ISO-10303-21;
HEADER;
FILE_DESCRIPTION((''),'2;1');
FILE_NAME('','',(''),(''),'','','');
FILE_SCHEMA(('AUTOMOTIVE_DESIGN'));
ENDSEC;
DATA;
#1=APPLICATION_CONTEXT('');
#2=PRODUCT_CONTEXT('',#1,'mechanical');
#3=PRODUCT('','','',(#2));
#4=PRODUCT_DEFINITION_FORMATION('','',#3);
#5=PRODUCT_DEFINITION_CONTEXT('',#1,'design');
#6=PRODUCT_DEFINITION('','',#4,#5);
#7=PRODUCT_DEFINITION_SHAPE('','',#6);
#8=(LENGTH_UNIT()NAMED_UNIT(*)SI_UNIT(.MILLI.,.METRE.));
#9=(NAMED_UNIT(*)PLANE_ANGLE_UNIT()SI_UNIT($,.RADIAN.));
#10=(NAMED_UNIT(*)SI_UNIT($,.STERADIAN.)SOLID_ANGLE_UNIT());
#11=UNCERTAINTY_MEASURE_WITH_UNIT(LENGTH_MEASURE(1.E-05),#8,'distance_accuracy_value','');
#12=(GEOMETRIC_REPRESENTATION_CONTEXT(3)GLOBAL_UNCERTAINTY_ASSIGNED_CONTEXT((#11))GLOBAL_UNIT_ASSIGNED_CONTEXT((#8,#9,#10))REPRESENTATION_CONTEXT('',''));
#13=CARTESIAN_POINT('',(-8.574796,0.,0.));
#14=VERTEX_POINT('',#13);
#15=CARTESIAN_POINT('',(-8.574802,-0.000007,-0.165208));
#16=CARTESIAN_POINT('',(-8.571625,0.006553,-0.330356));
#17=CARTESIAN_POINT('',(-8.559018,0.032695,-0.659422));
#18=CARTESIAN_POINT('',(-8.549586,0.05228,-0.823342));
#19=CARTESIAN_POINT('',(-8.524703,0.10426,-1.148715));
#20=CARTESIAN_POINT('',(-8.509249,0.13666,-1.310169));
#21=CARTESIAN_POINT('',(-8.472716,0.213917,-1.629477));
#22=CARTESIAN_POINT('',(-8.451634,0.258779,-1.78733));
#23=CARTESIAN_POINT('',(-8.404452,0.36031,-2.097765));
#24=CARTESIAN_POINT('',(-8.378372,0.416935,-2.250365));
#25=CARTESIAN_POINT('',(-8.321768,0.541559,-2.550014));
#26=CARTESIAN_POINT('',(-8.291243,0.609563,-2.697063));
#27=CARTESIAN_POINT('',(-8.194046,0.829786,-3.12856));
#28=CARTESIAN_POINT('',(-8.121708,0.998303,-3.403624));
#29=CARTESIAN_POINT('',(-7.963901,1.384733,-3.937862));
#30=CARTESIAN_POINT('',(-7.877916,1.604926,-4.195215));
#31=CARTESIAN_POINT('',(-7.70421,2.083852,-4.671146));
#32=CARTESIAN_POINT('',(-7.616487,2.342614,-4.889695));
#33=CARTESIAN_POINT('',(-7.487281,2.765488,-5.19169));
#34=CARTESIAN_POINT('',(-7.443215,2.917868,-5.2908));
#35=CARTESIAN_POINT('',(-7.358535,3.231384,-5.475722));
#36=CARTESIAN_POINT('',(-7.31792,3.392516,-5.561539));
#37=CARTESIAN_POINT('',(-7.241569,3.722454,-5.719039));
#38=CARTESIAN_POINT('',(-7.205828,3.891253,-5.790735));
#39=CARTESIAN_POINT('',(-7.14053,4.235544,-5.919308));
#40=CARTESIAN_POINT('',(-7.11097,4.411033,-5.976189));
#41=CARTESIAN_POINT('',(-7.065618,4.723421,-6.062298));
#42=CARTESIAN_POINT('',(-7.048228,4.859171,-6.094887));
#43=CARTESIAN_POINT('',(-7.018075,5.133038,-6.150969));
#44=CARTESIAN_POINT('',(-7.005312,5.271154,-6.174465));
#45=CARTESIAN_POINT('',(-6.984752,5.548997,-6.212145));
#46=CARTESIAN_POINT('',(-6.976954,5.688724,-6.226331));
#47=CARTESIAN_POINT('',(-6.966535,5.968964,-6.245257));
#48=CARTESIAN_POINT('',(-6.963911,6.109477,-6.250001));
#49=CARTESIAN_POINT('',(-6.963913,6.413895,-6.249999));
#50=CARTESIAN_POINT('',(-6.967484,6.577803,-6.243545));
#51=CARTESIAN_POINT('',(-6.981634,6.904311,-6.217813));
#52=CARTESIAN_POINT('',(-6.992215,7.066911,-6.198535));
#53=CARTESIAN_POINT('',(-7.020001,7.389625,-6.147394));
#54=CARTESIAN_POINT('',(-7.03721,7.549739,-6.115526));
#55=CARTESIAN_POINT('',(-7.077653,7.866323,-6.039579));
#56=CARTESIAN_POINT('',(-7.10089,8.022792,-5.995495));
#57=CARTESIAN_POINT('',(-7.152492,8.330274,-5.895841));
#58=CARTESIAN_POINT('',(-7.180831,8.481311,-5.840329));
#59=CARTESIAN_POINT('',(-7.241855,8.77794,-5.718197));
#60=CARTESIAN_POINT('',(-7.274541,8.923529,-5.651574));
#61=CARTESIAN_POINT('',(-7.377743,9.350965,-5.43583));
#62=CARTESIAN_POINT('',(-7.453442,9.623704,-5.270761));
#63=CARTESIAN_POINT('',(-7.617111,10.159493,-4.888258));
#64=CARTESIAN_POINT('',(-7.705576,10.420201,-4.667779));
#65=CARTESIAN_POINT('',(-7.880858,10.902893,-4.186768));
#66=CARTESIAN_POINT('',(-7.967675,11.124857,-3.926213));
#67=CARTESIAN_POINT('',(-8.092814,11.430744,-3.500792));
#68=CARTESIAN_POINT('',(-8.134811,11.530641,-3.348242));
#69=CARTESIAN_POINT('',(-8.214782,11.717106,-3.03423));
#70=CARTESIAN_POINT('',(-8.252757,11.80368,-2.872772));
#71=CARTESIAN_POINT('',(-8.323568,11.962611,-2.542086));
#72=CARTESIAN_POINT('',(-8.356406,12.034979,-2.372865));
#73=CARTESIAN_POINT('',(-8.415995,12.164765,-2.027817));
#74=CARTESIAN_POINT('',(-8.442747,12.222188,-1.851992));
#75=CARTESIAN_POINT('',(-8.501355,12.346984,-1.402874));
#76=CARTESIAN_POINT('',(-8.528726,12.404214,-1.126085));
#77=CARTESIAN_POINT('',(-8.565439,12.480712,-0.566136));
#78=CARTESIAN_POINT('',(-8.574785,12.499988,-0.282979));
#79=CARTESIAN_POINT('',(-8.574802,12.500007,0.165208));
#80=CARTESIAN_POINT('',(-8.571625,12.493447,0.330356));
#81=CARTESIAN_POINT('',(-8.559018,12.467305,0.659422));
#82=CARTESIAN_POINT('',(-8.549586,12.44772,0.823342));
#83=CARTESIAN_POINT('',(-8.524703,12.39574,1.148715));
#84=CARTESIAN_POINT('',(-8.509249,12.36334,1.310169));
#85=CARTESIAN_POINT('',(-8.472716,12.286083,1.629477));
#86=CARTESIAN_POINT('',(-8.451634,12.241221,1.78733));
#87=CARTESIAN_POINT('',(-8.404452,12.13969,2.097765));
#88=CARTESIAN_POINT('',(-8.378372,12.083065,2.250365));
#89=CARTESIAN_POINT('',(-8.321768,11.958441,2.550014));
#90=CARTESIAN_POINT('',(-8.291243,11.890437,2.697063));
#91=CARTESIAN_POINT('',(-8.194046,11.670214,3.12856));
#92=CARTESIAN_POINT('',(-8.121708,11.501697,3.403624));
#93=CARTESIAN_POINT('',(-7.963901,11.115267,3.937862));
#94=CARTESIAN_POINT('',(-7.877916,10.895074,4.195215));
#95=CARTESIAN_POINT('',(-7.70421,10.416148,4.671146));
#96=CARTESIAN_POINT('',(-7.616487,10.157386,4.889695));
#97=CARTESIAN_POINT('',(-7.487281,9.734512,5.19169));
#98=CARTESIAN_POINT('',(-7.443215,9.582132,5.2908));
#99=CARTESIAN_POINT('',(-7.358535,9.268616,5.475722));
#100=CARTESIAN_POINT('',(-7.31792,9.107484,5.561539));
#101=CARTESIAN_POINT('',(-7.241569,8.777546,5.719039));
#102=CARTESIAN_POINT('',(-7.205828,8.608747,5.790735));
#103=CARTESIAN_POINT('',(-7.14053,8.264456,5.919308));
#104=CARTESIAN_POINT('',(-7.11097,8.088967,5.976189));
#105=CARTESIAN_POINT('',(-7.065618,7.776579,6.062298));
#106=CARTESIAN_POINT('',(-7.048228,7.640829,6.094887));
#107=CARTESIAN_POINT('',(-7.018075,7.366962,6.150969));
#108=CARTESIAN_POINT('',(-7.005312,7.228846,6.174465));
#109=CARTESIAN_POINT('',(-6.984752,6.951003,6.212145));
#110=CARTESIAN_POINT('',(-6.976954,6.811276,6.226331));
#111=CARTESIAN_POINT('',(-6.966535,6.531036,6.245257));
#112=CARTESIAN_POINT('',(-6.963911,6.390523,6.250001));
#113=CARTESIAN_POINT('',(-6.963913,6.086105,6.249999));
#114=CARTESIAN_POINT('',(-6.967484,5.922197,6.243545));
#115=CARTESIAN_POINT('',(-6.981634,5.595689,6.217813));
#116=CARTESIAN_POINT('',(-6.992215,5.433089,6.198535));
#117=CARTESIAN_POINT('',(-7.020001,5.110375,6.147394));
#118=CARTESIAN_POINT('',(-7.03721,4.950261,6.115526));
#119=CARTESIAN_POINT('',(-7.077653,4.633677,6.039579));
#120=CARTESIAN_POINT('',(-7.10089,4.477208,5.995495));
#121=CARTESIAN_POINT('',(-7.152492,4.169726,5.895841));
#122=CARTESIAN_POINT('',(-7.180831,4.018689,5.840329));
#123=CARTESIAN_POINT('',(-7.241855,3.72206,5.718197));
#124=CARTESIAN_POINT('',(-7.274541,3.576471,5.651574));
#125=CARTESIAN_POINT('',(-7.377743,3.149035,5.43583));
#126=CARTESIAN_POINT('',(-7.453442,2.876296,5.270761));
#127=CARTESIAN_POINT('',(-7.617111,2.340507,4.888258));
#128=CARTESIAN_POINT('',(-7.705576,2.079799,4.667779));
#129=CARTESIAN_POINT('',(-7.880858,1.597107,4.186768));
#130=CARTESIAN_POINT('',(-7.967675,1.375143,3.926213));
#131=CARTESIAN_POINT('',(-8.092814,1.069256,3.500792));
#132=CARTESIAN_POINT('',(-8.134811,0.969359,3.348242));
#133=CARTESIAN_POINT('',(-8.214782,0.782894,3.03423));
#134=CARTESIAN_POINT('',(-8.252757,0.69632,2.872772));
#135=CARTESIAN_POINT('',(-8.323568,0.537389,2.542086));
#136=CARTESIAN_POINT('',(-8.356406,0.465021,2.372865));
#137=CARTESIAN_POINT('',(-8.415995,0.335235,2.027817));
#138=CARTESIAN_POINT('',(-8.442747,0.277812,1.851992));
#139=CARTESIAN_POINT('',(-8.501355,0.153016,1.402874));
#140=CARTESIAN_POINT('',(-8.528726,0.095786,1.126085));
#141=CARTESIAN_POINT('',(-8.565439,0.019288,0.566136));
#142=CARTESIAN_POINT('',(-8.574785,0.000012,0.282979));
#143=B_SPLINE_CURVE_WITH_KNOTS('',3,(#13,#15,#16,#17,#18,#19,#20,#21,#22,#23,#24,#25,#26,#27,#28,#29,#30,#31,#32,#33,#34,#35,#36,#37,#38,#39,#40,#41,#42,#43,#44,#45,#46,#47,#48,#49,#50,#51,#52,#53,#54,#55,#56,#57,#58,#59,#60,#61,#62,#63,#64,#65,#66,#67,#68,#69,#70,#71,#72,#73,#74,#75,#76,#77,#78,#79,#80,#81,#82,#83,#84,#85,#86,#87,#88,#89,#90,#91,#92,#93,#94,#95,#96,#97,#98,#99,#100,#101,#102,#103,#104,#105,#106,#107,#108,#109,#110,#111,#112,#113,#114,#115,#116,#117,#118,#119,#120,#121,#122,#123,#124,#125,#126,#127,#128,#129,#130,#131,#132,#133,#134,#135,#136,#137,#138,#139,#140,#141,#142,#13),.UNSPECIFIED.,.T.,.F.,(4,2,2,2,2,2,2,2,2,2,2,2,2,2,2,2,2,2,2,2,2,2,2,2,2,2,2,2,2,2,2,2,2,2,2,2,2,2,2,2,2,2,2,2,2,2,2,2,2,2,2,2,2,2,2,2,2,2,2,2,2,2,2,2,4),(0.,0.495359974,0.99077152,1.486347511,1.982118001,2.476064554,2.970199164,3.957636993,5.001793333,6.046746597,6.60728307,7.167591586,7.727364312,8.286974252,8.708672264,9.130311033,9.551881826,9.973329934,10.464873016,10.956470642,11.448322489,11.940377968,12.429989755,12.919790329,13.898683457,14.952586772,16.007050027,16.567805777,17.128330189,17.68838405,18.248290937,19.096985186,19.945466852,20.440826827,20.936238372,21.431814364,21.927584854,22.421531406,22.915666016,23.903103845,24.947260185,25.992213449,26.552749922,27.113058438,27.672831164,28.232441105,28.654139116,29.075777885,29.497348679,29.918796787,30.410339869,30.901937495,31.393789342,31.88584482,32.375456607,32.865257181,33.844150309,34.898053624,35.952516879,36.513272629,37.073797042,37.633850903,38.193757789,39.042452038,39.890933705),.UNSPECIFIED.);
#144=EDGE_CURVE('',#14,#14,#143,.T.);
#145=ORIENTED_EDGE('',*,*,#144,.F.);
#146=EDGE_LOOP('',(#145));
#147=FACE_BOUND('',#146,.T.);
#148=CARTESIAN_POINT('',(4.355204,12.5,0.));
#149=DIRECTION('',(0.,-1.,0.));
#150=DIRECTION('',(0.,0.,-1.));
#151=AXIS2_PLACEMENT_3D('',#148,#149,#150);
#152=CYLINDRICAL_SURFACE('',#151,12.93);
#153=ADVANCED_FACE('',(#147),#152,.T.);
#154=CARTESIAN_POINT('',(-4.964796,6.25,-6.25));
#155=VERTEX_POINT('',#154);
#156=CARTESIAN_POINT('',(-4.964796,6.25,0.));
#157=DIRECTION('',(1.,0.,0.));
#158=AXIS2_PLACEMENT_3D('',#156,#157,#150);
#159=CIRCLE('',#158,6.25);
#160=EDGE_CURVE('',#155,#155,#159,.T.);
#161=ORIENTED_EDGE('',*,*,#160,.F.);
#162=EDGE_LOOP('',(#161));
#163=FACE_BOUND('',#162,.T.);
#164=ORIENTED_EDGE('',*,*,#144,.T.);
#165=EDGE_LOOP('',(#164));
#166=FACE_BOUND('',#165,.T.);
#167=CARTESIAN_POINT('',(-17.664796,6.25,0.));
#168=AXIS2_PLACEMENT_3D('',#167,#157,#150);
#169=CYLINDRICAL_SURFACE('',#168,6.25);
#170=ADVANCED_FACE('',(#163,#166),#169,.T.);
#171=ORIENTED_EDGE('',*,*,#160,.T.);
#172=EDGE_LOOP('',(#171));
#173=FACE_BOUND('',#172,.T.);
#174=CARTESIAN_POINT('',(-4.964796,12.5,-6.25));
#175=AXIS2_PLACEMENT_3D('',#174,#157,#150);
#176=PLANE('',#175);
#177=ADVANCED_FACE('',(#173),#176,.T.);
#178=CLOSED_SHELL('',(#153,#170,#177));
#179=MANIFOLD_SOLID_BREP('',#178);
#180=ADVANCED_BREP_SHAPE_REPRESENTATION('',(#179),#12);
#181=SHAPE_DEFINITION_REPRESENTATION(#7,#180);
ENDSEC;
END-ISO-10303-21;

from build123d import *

# Parameters (mm, degrees)
EXTRUDE_1_DEPTH     = 12.5
CUT_EXTRUDE_8_DEPTH = 12.7


with BuildPart() as part:
    # 草图1 → 凸台-拉伸1 (new body)
    with BuildSketch(Plane(origin=(0, 0, 0), x_dir=(1, 0, 0), z_dir=(0, 1, 0))):
        with BuildLine():
            Line((-6.963912238, 6.25), (-4.964795665, 6.25))
            Line((-4.964795665, 6.25), (-4.964795665, -6.25))
            Line((-4.964795665, -6.25), (-6.963912238, -6.25))
            ThreePointArc((-6.963912238, -6.25), (-8.574795665, 0), (-6.963912238, 6.25))
        make_face()
    extrude(amount=EXTRUDE_1_DEPTH)

    # 草图2 → 切除-拉伸8 (cut)
    with BuildSketch(Plane(origin=(-4.964795665, 0, 0), x_dir=(0, 0, -1), z_dir=(1, 0, 0))):
        with BuildLine():
            Line((-6.25, 12.5), (-6.25, 6.25))
            ThreePointArc((-6.25, 6.25), (-4.419417382, 10.669417382), (0, 12.5))
            Line((0, 12.5), (-6.25, 12.5))
        make_face()
        with BuildLine():
            ThreePointArc((0, 12.5), (4.419417382, 10.669417382), (6.25, 6.25))
            Line((6.25, 6.25), (6.25, 12.5))
            Line((6.25, 12.5), (0, 12.5))
        make_face()
        with BuildLine():
            ThreePointArc((6.25, 6.25), (4.419417382, 1.830582618), (0, 0))
            Line((0, 0), (6.25, 0))
            Line((6.25, 0), (6.25, 6.25))
        make_face()
        with BuildLine():
            Line((-6.25, 6.25), (-6.25, 0))
            Line((-6.25, 0), (0, 0))
            ThreePointArc((0, 0), (-4.419417382, 1.830582618), (-6.25, 6.25))
        make_face()
    extrude(amount=-CUT_EXTRUDE_8_DEPTH, mode=Mode.SUBTRACT)


solid = part.part
